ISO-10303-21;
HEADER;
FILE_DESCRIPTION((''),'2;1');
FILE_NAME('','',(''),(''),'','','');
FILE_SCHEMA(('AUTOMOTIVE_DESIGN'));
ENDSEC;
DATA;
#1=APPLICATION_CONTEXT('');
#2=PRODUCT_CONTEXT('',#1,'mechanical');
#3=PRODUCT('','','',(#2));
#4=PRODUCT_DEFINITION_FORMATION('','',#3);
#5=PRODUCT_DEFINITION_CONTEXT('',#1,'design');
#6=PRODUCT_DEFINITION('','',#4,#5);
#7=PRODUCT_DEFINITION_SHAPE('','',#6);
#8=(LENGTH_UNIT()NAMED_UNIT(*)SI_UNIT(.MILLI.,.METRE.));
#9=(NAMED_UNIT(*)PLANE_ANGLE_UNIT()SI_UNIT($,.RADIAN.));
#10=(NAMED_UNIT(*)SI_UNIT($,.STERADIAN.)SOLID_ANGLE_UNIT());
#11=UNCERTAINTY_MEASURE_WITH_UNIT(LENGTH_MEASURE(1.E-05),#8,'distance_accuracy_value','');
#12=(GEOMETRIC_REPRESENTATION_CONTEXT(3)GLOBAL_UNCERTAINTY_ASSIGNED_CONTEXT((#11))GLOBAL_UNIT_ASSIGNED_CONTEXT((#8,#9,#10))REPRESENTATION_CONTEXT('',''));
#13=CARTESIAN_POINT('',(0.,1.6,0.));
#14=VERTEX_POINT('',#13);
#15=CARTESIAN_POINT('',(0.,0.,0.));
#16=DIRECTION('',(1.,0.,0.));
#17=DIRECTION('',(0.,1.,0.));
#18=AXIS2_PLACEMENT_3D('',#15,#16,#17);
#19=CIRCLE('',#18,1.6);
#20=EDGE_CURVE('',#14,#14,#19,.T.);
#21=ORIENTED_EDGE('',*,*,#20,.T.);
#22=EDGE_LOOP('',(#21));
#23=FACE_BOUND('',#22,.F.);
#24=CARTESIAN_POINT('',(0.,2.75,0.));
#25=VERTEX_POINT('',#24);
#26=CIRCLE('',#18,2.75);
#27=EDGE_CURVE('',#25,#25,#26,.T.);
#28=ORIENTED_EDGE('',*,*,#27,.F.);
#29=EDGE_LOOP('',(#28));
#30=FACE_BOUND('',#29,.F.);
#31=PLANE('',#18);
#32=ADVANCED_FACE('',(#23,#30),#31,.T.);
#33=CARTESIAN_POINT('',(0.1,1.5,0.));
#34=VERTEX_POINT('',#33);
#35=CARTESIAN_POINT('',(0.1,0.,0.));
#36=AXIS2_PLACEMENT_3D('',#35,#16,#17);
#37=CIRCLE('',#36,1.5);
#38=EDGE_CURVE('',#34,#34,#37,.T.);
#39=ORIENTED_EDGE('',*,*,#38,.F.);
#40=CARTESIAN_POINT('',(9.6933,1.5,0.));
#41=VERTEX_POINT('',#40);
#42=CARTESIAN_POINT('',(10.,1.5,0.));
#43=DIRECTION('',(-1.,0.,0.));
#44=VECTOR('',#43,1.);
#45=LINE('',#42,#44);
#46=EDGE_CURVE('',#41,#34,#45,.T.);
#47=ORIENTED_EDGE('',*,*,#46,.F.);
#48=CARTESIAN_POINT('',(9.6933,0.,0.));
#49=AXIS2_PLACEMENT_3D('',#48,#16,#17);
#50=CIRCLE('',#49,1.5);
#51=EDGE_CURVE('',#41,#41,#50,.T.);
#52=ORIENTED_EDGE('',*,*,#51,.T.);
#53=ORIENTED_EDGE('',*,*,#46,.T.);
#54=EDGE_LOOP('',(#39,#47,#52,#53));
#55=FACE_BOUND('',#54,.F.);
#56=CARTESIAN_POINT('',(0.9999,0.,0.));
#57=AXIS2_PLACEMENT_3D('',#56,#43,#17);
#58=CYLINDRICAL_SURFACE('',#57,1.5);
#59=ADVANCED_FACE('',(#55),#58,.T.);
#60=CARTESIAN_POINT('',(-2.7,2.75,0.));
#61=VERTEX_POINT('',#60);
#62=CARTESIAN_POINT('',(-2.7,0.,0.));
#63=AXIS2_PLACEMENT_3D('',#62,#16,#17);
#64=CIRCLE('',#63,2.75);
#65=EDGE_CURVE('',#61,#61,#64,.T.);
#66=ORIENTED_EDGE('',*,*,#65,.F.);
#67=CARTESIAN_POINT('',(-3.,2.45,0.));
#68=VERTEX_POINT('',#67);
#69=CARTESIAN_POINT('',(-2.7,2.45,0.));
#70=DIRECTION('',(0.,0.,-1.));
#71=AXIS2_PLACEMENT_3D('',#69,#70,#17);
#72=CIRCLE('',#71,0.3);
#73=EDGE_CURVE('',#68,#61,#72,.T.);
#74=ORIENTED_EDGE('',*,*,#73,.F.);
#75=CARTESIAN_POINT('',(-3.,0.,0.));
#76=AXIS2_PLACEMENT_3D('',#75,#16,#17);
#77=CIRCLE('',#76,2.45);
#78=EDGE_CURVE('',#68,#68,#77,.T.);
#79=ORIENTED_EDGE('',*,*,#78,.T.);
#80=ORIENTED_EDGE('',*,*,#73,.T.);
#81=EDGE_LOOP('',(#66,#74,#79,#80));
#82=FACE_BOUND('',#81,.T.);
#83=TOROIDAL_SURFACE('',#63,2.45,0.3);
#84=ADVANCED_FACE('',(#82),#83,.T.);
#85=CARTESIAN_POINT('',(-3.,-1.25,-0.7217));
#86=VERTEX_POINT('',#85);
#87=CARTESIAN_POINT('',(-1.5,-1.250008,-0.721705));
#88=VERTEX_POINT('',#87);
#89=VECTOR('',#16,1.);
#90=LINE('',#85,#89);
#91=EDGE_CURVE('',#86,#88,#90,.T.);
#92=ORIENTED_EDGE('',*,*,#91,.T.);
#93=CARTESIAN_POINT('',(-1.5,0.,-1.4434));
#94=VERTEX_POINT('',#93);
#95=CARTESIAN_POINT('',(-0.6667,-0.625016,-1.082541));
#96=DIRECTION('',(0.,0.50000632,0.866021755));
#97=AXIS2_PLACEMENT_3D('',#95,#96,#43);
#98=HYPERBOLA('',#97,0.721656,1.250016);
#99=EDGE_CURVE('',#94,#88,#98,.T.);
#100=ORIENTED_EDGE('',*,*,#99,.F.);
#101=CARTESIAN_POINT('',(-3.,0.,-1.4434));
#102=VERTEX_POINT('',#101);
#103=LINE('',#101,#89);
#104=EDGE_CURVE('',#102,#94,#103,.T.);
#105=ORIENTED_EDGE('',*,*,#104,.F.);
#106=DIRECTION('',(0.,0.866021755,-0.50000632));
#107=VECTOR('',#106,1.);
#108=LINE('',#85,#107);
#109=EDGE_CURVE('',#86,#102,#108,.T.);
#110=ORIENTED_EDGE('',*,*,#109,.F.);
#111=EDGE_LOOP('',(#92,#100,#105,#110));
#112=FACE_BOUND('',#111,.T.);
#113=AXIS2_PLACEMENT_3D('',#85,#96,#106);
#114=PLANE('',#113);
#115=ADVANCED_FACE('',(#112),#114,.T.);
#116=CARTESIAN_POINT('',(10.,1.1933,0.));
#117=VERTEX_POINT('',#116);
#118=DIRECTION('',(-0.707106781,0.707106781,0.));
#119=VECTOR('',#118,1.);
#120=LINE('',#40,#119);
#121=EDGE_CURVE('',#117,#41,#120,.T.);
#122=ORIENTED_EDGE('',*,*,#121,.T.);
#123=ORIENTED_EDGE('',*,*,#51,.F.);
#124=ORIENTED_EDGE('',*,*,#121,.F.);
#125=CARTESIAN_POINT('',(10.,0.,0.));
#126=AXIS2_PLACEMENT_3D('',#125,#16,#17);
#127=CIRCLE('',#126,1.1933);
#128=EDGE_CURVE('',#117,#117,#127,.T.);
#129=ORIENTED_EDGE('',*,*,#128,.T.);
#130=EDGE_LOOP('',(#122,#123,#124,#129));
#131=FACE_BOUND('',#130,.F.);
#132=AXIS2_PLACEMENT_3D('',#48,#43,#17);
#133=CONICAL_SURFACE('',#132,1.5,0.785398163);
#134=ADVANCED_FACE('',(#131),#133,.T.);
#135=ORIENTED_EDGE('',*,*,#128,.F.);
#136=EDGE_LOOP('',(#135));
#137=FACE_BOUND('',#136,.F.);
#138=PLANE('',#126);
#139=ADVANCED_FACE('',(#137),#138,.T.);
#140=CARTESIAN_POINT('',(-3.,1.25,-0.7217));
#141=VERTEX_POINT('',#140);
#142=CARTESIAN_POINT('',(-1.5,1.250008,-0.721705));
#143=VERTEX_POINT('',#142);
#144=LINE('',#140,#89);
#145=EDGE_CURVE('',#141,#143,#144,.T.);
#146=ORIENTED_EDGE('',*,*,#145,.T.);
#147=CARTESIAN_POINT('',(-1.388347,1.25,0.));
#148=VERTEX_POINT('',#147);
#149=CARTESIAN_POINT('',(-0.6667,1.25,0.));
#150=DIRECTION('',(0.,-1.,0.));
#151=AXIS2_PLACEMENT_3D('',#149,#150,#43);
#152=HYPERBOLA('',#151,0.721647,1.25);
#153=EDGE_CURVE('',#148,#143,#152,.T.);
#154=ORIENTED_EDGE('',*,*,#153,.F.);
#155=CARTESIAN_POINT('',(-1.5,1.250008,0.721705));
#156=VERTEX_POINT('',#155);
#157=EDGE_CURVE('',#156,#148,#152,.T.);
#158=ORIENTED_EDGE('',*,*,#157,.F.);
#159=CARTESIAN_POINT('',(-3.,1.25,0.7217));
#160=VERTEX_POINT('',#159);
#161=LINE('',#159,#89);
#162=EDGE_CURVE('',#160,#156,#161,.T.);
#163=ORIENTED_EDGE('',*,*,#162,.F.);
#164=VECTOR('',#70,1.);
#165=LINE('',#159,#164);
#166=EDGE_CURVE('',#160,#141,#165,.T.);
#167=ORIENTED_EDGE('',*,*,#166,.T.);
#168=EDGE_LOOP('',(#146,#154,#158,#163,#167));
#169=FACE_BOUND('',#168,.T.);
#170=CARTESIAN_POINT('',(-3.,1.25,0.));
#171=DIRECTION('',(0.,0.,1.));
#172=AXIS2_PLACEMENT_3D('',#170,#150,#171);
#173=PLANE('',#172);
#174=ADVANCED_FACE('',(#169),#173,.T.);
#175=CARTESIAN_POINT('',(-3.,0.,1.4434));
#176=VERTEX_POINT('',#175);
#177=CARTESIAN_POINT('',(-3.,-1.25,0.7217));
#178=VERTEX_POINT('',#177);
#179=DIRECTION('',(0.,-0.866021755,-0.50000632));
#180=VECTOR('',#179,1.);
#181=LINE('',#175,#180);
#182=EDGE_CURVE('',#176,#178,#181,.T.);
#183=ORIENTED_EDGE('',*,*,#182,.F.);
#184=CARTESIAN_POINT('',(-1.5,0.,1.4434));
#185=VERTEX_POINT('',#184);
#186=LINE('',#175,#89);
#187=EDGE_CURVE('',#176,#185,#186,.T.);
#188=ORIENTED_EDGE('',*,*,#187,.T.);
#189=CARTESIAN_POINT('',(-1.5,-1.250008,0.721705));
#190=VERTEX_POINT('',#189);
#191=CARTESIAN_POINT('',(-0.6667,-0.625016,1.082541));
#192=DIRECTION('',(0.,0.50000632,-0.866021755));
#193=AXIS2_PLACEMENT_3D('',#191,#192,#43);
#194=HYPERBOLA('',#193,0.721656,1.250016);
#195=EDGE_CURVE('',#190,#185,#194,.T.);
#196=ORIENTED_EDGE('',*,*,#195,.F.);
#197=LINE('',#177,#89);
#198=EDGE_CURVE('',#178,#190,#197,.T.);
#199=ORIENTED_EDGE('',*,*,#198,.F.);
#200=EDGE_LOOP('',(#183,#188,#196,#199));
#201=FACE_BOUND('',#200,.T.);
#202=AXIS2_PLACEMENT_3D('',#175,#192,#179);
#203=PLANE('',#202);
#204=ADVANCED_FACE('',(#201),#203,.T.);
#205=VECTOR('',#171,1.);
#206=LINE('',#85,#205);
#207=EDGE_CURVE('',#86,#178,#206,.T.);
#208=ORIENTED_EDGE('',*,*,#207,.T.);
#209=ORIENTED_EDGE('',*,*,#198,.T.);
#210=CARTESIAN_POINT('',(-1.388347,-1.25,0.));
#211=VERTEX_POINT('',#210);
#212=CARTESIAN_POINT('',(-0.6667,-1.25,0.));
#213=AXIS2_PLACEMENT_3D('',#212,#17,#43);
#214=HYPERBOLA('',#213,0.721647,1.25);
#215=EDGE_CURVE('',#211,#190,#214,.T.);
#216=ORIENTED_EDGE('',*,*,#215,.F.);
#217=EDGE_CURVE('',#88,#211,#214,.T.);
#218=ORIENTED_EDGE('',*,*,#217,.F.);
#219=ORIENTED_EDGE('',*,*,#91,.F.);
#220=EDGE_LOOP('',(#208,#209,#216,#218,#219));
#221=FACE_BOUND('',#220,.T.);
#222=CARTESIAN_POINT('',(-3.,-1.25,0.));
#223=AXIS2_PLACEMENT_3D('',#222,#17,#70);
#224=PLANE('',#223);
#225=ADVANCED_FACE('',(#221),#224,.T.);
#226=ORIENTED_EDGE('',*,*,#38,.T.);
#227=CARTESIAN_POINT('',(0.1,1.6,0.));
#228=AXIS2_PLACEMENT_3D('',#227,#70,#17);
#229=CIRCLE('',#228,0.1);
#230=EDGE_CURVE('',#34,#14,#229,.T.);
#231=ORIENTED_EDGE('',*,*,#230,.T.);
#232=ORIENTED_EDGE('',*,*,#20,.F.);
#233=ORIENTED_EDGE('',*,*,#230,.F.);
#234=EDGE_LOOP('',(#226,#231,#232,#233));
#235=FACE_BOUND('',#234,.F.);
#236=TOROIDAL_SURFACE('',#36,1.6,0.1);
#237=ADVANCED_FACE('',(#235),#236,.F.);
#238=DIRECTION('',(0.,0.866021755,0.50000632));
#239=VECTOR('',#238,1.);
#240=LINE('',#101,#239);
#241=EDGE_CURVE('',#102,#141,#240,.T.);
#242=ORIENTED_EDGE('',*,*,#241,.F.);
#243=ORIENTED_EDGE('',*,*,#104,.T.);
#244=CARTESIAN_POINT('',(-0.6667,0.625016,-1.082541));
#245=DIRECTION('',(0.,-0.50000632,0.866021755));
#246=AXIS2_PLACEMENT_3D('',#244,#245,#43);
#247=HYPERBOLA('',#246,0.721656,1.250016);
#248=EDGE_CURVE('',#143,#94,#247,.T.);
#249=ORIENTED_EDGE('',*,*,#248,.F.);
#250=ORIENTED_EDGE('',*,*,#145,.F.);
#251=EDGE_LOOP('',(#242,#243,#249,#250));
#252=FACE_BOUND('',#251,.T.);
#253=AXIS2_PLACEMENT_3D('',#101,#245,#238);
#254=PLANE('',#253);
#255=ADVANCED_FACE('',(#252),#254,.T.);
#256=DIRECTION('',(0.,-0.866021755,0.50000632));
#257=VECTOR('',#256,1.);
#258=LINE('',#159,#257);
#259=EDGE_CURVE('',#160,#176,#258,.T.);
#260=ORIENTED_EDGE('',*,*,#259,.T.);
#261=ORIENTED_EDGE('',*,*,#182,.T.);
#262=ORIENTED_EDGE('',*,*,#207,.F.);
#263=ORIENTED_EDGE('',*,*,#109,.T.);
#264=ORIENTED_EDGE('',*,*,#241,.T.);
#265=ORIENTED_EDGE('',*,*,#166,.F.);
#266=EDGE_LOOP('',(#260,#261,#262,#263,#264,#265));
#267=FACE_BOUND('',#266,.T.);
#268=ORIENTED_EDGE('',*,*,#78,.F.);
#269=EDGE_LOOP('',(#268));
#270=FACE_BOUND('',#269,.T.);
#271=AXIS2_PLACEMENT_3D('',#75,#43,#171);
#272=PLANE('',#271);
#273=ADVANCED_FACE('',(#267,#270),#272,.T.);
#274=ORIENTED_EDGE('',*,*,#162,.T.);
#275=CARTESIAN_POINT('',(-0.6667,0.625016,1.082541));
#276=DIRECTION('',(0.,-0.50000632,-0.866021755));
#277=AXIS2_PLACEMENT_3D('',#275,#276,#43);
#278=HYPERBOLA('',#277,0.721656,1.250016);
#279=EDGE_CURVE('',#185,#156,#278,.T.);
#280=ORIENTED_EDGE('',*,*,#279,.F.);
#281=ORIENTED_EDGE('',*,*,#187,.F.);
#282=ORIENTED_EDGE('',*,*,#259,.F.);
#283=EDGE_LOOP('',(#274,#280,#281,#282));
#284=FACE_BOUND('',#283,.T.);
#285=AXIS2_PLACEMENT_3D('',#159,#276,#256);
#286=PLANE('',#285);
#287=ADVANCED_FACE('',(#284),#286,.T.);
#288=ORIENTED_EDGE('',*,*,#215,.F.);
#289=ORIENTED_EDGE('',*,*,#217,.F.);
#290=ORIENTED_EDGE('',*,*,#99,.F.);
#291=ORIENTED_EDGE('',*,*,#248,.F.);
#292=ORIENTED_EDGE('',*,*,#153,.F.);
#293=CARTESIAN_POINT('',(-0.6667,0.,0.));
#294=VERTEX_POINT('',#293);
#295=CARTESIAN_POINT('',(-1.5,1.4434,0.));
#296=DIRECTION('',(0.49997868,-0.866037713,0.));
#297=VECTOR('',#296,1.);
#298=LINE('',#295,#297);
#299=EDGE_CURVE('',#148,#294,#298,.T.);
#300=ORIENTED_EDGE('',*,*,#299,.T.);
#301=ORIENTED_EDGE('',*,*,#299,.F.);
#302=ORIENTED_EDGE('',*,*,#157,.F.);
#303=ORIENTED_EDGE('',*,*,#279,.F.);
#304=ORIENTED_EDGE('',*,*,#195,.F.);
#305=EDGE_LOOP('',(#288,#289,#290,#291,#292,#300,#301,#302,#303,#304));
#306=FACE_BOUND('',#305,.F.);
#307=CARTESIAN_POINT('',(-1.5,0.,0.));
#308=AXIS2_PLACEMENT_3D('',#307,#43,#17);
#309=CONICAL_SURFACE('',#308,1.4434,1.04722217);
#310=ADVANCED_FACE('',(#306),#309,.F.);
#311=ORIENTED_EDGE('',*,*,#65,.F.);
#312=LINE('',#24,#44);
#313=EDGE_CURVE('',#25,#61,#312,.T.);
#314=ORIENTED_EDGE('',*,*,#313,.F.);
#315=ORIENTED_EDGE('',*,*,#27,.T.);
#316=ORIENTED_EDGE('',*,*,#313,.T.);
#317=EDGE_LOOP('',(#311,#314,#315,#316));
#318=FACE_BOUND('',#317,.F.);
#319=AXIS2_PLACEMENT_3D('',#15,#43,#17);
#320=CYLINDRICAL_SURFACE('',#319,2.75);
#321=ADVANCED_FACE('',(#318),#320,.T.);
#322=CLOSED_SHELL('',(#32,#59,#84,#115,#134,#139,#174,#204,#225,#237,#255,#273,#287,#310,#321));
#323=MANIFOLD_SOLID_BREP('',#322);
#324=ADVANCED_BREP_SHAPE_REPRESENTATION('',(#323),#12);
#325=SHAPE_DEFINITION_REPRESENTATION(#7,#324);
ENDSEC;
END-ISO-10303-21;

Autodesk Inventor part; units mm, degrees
ref_plane "YZ Plane" through (0, 0, 0) normal (1, 0, 0) x (0, 1, 0)
ref_plane "XZ Plane" through (0, 0, 0) normal (0, 1, 0) x (-1, 0, 0)
sketch "Sketch1" plane through (0, 0, 0) normal (0, 0, 1) x (1, 0, 0)
  line L0 (-0.6667, 0) -> (10, 0)
  line L1 (10, 0) -> (10, 1.5)
  line L2 (10, 1.5) -> (1.3067, 1.5)
  line L3 (1.3067, 1.5) -> (0.9999, 1.5)
  line L4 (0.9999, 1.5) -> (0, 1.5)
  line L5 (0, 1.5) -> (0, 2.75)
  line L6 (0, 2.75) -> (-3, 2.75)
  line L7 (-3, 2.75) -> (-3, 1.4434)
  line L8 (-3, 1.4434) -> (-1.5, 1.4434)
  line L9 (-1.5, 1.4434) -> (-0.6667, 0)
  line L10 (-5.6, 0) -> (12.6, 0) projected
  line L11 (0, -0.55) -> (0, 3.3) projected
  line L12 (1.3067, 1.5) -> (0, 1.5) construction
  dimension "d1" = 8.6933
  dimension "d2" = 0.3068
  dimension "d3" = 3
  dimension "d4" = 1.5
  dimension "d5" = 60
  dimension "d6" = 3
  dimension "d7" = 3
  dimension "d8" = 2.8868
  dimension "d9" = 5.5
  dimension "d26" = 10
revolve "Body" add sketch "Sketch1" angle 360 about axis through (-0.6667, 0, 0) along (1, 0, 0)
sketch "Sketch2" plane through (-3, 0, 0) normal (-1, 0, 0) x (0, 0, 1)
  circle A0 centre (0, 0) radius 1.4434 projected
  line L0 (0, -3.85) -> (0, 3.85) projected
  line L1 (-3.85, 0) -> (3.85, 0) projected
  line L2 (1.4434, 0) -> (0.7217, -1.25)
  line L3 (0.7217, -1.25) -> (-0.7217, -1.25)
  line L4 (-0.7217, -1.25) -> (-1.4434, 0)
  line L5 (-1.4434, 0) -> (-0.7217, 1.25)
  line L6 (-0.7217, 1.25) -> (0.7217, 1.25)
  line L7 (0.7217, 1.25) -> (1.4434, 0)
  point P0 (0, 0)
extrude "Slot" add sketch "Sketch2" against normal up to next contours L7 A0 | A0 L2 | L6 L0 A0 | A0 L0 L3 | L0 L6 A0 | A0 L3 L0 | L4 A0 | A0 L5
fillet "Fillet1" radius 0.3 1 edges at (-3, -2.75, 0)
thread "Thread" size "M3x0.5" class "6g" standard "ISO Metric profile" length 8.6933
chamfer "Chamfer1" distance 0.3067 distance2 0.3067 1 edges at (10, -1.5, 0) measured on face at (10, -0.6587, -0.1791)
ref_plane "Work Plane1" through (29, 0, 0) normal (0, -1, 0) x (1, 0, 0)
fillet "Fillet2" radius 0.1 1 edges at (0, -1.5, 0)
equation "\"d1\" = GEL"
equation "\"d3\" = KOH"
equation "\"d4\" = INTI"
equation "\"d6\" = GD"
equation "\"d7\" = BDM"
equation "\"d8\" = 1.1547 * SW"
equation "\"d9\" = KOD"
equation "\"d26\" = NLG"
equation "\"d30\" = R"
equation "\"d17\" = RR"
equation "\"d13\" = GEL"
equation "\"d15\" = -0.5 * SPD + 0.5 * GD"
equation "\"d16\" = GUL"
equation "\"GD\" = NND"
equation "\"NLG\" = 10"
equation "\"GEL\" = 8.69327"
equation "\"KOD\" = 5.5"
equation "\"KOH\" = 3"
equation "\"INTI\" = 1.5"
equation "\"GAL\" = 0.61345 * PTC"
equation "\"GUL\" = 0.61345 * PTC"
equation "\"BDM\" = NND"
equation "\"SW\" = 2.5"
equation "\"RR\" = 0.3"
equation "\"SPD\" = 2.38655"
equation "\"R\" = 0.1"
equation "\"TOA\" = 30deg"
equation "\"THREADDIA\" = 3"
equation "\"PTC\" = 0.5"
equation "\"NND\" = 3"
equation "\"E0\" = 1.155 * SW"
equation "\"GD1\" = THREADDIA - 1.2269 * PTC"
properties part number "ANSI B18.3.1M - M3x0.5 x 10" material "Steel, Mild"
